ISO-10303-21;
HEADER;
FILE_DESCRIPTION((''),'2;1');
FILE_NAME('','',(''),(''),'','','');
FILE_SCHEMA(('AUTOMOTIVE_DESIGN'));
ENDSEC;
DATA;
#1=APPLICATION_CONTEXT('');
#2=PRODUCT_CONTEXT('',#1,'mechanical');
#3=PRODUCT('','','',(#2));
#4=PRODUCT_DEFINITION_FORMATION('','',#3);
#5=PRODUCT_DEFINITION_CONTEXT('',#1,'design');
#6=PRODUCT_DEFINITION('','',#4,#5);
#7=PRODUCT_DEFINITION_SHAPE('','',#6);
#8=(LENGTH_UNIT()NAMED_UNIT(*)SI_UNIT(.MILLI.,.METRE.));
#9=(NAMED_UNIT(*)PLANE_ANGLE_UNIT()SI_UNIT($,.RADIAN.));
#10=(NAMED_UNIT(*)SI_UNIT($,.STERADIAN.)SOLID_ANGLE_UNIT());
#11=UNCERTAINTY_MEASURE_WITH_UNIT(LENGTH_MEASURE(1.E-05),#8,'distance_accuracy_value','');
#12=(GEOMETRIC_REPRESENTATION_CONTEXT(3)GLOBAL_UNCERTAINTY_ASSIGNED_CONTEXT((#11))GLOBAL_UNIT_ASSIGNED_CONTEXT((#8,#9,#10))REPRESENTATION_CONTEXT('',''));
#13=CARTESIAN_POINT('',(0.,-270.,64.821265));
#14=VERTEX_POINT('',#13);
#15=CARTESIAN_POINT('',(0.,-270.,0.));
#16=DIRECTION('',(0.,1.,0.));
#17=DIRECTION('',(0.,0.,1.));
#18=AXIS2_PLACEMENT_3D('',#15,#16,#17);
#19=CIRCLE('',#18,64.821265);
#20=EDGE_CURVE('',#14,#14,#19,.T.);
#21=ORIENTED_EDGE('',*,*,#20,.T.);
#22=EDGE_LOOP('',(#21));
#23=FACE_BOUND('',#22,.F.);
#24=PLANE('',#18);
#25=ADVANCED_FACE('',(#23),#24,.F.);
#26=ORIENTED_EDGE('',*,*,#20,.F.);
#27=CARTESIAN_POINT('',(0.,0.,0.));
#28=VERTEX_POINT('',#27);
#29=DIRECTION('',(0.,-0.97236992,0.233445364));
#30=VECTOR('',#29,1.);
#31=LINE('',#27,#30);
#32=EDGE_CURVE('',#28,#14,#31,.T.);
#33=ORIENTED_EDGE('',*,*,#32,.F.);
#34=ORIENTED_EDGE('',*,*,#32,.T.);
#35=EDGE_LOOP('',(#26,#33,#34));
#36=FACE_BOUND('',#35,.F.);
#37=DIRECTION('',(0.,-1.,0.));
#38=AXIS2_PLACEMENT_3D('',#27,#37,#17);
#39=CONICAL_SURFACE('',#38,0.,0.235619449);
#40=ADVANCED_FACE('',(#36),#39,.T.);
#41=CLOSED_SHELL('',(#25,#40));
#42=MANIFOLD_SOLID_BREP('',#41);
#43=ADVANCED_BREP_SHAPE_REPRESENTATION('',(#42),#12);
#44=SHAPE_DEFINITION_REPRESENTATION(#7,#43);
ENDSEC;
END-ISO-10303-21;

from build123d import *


with BuildPart() as part:
    # Sketch → Revolution (revolve)
    with BuildSketch(Plane.YZ):
        Polygon((0, 0), (-270, 64.821265), (-270, 0), align=None)
    revolve(axis=Axis((0, 0, 0), (0, 1, 0)))


solid = part.part
